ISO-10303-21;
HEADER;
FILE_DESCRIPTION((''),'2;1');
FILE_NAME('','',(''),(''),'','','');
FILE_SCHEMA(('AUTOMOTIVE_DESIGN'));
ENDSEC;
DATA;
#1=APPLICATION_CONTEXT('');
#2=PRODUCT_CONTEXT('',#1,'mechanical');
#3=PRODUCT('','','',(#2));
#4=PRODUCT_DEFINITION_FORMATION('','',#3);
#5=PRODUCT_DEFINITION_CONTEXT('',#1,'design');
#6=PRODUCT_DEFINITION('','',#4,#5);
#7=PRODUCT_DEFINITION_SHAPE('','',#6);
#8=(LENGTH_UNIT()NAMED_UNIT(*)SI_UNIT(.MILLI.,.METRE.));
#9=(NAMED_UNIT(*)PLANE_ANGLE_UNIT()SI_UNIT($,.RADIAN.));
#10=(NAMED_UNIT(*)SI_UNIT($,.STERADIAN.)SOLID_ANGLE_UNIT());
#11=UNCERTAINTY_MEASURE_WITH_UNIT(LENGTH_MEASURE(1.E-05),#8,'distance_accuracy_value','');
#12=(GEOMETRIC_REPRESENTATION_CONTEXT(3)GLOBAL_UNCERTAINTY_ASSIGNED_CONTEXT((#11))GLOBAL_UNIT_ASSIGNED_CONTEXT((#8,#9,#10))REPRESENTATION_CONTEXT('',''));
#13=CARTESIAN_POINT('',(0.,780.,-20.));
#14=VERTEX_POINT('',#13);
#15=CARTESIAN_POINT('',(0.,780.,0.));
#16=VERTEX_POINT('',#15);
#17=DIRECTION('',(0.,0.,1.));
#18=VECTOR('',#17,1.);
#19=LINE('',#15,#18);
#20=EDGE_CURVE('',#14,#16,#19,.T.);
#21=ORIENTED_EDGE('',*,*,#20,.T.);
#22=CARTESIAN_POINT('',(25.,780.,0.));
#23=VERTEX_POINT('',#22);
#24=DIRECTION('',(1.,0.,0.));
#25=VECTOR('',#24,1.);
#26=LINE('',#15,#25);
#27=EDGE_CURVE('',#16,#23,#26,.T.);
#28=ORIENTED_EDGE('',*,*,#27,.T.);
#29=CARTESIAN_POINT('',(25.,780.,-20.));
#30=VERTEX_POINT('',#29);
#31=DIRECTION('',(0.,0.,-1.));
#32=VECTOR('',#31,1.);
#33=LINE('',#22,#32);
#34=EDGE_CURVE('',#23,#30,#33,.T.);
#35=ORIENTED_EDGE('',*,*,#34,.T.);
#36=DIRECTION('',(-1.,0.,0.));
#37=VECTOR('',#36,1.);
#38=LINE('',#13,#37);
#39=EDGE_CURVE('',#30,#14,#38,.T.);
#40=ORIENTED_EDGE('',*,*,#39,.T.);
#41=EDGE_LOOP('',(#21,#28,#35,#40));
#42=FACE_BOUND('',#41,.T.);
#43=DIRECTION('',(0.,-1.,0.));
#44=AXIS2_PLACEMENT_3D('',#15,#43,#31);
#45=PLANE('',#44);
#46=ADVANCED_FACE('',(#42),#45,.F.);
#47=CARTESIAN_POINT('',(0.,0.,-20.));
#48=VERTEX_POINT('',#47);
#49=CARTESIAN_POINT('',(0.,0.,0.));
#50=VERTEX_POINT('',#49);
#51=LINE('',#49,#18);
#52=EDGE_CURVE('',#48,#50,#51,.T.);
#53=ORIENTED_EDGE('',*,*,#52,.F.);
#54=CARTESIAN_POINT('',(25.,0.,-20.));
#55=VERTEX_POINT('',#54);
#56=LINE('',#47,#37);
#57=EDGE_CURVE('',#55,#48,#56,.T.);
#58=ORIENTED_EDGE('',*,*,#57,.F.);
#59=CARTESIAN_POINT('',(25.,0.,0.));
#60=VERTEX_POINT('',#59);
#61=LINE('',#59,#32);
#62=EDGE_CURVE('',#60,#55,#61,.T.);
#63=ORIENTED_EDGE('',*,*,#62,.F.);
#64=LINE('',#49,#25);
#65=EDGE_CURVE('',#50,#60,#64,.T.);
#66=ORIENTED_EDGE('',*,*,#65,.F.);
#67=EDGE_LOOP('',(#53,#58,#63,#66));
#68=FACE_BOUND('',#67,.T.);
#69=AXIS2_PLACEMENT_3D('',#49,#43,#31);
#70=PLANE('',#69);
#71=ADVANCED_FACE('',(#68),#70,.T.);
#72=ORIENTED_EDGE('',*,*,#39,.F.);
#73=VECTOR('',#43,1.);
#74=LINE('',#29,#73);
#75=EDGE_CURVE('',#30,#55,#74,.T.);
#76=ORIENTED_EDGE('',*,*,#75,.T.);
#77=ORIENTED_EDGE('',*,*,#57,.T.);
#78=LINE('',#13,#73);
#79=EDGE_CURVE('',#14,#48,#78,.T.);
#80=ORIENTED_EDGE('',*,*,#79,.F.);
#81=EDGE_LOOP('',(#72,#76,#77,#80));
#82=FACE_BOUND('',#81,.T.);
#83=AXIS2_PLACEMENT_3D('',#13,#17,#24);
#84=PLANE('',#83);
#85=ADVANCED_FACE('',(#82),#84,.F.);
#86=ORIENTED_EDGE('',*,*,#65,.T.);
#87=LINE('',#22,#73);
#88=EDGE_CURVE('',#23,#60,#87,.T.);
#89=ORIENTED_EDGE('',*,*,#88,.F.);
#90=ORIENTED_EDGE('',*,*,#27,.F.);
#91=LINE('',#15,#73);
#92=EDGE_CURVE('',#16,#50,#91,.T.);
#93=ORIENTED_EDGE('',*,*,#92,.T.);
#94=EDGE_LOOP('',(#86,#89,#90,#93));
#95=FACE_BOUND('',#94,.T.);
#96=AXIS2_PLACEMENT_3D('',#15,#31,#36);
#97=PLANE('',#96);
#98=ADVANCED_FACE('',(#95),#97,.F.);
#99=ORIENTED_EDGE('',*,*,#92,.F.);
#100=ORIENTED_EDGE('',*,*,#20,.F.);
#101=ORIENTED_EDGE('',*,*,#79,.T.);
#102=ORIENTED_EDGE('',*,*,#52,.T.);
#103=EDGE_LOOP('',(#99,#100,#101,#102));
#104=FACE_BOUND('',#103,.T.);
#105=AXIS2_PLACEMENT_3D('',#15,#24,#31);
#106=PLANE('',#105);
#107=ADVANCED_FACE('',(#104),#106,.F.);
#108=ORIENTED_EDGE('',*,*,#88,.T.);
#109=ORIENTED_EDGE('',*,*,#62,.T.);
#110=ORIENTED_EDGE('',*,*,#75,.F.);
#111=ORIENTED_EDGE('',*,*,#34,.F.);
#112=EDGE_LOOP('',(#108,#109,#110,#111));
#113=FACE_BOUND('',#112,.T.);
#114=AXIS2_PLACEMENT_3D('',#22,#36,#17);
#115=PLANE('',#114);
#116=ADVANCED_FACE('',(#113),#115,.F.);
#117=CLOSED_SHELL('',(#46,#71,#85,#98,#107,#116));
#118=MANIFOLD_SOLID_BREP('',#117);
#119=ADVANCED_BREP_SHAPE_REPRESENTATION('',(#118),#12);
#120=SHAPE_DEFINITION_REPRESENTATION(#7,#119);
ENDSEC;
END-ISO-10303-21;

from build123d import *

# Parameters (mm, degrees)
SKETCH_1_W      = 25
SKETCH_1_H      = 20
EXTRUDE_1_DEPTH = 780


with BuildPart() as part:
    # Эскиз1 → Бобышка-Вытянуть1 (new body)
    with BuildSketch(Plane(origin=(0, 0, 0), x_dir=(1, 0, 0), z_dir=(0, 1, 0))):
        with Locations((12.5, 10)):
            Rectangle(SKETCH_1_W, SKETCH_1_H)
    extrude(amount=EXTRUDE_1_DEPTH)


solid = part.part
